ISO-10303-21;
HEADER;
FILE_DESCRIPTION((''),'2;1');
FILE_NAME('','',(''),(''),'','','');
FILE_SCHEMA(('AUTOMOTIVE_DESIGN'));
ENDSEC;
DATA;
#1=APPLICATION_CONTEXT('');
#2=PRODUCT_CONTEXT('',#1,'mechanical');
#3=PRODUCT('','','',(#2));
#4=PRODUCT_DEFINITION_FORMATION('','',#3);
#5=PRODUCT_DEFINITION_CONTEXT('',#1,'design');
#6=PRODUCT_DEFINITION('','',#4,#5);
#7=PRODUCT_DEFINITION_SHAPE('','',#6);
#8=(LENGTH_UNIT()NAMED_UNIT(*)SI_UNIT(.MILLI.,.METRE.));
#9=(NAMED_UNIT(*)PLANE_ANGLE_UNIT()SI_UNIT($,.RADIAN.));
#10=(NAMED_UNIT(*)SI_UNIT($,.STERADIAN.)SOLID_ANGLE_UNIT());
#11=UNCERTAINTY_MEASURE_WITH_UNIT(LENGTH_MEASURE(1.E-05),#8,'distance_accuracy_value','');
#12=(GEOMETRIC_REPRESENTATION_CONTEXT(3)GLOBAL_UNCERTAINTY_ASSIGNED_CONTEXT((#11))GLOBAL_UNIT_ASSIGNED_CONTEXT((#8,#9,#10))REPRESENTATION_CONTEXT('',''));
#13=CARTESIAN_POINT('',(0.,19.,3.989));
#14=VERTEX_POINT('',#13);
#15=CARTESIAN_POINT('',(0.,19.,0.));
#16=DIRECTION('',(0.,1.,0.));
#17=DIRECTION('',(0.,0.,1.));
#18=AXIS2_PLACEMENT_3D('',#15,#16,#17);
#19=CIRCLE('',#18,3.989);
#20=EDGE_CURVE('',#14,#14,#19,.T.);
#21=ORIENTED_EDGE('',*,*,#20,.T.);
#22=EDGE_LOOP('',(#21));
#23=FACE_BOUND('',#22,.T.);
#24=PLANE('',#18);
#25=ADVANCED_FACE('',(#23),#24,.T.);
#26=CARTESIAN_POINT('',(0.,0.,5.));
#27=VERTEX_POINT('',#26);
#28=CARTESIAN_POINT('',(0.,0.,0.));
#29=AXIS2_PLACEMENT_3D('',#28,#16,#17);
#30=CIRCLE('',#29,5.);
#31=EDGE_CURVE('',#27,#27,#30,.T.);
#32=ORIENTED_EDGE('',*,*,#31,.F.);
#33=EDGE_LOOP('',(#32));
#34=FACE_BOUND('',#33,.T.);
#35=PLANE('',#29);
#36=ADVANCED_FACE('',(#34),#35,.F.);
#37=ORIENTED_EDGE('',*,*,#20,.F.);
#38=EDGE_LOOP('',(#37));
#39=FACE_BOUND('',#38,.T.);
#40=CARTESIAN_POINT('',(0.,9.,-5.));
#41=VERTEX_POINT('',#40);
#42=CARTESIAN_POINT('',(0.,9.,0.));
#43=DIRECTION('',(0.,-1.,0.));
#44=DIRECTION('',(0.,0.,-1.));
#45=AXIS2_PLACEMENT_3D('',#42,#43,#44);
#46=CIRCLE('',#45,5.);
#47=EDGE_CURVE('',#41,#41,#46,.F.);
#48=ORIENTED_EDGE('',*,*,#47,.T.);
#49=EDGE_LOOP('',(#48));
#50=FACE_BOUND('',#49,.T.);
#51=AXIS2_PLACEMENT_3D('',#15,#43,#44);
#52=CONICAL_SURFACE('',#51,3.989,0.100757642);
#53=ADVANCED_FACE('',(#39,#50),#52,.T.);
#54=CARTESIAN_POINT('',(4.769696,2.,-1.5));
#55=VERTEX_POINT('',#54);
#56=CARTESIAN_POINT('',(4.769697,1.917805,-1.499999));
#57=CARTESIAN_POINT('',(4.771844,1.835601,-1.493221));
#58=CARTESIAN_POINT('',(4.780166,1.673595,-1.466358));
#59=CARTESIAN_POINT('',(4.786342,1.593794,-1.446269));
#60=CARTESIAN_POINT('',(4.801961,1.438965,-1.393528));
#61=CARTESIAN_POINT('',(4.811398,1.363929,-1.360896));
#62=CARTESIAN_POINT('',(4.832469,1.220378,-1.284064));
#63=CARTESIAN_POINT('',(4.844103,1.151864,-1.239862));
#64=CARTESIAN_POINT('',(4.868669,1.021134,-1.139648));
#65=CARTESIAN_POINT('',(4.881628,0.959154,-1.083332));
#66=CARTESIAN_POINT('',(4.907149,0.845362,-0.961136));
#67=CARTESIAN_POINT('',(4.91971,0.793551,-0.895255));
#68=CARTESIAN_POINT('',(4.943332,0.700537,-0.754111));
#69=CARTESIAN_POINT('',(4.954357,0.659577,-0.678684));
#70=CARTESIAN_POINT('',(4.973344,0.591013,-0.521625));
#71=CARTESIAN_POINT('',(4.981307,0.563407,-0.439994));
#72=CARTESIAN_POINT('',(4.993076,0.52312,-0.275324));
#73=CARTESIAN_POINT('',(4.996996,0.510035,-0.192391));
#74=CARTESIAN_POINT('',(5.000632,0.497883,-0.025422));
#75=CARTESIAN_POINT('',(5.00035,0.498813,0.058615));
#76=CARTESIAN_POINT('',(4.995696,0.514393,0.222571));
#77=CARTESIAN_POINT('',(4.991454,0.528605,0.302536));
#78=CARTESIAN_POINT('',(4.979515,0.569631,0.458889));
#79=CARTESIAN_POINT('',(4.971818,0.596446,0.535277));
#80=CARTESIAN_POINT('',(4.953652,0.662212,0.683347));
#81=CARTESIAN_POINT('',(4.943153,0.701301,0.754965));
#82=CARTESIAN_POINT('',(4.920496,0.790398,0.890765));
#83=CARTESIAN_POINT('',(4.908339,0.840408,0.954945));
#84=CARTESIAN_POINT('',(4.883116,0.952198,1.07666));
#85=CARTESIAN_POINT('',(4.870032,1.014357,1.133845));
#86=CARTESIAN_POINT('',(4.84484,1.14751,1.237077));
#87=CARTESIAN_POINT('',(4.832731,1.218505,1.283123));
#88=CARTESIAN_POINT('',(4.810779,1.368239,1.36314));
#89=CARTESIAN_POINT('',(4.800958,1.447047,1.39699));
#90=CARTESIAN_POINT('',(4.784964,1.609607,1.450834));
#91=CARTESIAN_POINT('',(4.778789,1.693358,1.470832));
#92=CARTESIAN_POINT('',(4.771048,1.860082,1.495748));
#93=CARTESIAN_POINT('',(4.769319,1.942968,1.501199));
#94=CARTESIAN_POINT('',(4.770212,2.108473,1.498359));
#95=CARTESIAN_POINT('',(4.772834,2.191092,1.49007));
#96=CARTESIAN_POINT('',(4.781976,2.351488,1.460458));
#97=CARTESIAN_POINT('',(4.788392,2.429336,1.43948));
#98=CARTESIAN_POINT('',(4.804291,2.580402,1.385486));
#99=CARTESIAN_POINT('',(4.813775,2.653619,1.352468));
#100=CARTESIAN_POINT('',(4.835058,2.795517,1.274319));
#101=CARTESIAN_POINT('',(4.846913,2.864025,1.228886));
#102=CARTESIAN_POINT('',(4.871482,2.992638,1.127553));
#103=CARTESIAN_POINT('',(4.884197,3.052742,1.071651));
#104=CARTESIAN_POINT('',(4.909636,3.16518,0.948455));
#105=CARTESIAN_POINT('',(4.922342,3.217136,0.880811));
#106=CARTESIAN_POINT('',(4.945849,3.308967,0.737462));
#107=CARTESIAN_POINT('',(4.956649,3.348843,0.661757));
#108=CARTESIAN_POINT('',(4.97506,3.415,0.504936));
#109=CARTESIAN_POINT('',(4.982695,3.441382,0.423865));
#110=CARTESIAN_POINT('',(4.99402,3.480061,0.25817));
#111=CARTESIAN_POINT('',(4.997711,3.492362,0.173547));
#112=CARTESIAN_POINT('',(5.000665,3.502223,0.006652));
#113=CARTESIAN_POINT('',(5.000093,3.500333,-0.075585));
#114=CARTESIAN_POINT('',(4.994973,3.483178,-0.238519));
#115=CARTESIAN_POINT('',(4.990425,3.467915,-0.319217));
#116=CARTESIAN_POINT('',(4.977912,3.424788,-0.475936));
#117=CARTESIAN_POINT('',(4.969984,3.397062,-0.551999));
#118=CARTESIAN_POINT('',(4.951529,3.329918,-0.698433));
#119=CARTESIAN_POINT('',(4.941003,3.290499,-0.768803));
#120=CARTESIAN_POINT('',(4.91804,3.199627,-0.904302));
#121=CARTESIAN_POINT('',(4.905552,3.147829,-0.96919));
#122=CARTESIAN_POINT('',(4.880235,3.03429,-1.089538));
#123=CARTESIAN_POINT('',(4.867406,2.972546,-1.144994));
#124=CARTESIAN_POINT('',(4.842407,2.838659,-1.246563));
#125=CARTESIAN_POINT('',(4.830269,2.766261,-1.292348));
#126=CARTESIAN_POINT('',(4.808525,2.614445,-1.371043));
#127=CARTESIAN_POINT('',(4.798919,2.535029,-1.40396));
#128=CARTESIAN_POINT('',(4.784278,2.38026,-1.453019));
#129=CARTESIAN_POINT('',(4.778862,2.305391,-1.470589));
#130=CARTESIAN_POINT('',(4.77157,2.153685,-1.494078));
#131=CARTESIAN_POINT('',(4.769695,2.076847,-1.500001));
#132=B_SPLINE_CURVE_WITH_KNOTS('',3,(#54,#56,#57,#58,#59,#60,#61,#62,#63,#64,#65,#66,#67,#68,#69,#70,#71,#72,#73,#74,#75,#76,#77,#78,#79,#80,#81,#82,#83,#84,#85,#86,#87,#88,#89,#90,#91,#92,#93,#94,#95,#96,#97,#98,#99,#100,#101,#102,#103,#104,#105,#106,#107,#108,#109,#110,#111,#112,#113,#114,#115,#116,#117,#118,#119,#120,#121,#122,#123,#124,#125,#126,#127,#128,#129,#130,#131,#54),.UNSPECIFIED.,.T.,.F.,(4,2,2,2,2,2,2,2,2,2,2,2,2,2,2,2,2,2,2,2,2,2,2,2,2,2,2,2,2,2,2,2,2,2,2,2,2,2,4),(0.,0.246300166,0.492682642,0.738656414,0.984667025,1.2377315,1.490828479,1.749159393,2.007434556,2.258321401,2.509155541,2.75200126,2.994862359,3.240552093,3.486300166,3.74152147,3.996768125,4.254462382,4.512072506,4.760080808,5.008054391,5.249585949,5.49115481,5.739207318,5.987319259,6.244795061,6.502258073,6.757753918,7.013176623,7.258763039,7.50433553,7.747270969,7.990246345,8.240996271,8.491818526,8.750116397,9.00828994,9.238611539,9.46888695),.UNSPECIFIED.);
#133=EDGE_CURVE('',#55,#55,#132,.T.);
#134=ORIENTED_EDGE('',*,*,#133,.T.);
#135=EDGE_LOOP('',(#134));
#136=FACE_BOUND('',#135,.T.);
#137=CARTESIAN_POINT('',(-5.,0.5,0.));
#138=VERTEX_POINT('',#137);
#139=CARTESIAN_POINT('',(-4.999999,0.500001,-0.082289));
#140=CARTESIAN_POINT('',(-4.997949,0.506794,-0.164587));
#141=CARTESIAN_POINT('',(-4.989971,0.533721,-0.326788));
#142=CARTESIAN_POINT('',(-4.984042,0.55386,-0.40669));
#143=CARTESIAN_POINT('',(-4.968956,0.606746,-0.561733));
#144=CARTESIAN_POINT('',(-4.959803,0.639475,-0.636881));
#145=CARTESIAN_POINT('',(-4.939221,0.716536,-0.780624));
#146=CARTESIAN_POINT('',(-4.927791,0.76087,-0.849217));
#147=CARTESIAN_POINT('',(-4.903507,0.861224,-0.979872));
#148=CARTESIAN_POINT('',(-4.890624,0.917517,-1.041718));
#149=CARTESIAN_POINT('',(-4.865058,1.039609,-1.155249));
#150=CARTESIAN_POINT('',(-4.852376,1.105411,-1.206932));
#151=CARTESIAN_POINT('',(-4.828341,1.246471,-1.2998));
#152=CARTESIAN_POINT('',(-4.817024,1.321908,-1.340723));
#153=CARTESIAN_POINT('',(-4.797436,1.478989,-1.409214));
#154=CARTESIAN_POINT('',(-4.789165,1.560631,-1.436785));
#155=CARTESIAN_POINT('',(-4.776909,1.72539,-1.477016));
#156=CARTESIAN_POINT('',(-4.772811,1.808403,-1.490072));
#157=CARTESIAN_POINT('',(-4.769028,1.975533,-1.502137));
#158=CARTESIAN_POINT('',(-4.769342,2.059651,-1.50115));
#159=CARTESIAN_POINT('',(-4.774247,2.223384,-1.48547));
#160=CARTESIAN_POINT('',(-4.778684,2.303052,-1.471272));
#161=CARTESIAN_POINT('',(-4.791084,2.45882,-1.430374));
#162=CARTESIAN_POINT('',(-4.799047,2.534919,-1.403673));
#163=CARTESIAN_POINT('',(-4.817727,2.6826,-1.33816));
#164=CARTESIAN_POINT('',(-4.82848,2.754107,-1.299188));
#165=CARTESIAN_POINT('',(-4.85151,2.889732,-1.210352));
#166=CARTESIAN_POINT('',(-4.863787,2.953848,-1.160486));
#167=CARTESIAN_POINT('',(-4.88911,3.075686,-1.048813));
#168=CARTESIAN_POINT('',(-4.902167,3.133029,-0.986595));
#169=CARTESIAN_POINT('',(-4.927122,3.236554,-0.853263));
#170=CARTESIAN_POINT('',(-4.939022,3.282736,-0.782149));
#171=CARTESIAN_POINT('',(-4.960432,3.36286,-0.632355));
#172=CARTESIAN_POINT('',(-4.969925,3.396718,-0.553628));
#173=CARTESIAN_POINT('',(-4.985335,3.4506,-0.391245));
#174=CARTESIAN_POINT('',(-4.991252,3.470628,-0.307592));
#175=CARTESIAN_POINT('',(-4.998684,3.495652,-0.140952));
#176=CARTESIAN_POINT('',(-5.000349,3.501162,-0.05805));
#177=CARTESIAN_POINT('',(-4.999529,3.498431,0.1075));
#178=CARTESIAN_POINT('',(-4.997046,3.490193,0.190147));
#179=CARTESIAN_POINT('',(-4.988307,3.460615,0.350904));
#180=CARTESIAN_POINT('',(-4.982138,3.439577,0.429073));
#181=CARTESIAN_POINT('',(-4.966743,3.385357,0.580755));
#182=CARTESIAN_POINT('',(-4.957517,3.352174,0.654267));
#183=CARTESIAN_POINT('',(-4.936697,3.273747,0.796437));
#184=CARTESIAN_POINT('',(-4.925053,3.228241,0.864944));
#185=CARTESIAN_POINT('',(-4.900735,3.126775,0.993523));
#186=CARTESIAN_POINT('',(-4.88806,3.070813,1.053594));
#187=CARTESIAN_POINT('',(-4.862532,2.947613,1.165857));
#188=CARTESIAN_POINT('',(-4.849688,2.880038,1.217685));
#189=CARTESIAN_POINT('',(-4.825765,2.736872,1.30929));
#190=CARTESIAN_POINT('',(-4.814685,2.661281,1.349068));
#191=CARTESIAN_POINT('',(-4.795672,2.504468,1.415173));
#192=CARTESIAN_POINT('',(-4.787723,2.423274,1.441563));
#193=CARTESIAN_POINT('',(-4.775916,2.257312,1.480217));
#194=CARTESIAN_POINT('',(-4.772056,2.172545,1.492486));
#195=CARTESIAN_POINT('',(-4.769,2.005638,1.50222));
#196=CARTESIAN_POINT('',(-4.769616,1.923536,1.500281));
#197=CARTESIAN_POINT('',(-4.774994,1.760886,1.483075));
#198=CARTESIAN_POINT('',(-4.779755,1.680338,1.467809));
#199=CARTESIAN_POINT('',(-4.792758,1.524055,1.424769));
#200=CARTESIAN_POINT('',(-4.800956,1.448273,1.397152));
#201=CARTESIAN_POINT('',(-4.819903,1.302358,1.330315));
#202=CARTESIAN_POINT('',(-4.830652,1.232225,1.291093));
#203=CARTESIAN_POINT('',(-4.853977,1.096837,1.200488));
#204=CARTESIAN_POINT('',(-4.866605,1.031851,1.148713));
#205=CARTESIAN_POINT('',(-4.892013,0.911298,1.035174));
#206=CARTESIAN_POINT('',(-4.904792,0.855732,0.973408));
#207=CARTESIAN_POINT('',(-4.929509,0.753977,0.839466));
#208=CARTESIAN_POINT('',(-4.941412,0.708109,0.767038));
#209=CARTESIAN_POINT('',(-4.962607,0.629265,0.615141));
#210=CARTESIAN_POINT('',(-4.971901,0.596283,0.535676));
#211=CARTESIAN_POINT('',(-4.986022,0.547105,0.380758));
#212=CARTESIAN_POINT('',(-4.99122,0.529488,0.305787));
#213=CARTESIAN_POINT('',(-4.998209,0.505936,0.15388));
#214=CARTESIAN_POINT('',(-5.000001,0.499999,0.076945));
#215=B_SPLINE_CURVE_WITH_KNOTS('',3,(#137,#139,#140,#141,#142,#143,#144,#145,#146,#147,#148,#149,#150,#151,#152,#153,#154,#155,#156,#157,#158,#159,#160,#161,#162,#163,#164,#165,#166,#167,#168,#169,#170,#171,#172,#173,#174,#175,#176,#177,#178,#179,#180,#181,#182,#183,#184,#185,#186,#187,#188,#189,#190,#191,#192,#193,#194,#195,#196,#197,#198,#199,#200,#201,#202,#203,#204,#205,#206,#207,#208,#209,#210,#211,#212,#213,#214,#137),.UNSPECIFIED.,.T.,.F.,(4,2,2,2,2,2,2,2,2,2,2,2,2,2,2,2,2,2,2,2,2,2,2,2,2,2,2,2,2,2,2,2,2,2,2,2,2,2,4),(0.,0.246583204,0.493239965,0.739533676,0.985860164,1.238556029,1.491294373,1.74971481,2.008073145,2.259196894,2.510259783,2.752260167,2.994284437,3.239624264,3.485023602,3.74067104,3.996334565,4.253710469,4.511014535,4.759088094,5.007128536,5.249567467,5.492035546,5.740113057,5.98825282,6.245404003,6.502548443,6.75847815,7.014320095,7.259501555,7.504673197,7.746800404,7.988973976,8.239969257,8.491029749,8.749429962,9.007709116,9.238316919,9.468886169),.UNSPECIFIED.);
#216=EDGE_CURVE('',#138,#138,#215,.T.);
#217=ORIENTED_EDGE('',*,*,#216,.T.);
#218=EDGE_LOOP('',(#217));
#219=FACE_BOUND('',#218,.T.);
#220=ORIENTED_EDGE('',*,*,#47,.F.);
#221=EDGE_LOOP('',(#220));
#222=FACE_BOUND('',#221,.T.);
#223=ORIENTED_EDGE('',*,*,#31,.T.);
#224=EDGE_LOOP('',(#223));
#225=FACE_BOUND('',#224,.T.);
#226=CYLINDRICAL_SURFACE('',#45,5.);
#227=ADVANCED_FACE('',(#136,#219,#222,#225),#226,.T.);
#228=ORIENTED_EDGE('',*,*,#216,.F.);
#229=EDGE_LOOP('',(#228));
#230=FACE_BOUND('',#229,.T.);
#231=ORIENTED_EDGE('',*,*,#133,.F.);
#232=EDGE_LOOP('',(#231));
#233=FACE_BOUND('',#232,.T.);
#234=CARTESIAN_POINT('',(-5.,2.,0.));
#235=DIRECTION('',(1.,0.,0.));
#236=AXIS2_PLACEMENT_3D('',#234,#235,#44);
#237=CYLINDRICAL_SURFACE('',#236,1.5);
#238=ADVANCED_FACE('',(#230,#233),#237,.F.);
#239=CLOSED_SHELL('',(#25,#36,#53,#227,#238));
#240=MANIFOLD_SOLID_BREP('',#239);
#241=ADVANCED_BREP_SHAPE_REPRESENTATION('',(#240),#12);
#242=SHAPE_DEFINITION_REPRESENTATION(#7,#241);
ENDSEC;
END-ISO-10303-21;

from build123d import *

# Parameters (mm, degrees)
SKETCH1_R             = 5
BODY_DEPTH            = 9
PIN_INSERT_DEPTH      = 12.445523142
PIN_INSERT_DEPTH_BACK = 12.445523142
SKETCH2_R             = 1.5
HEAD_SA_R             = 3.989


with BuildPart() as part:
    # Sketch1 → body (new body)
    with BuildSketch(Plane(origin=(0, 0, 0), x_dir=(1, 0, 0), z_dir=(0, 1, 0))):
        with Locations(Location((0, 0, 0), (0, 0, 270))):
            Circle(SKETCH1_R)
    extrude(amount=BODY_DEPTH)

    # Sketch2 → pin insert (cut, two sides: drawn at the far end of the back side and taken through both)
    with BuildSketch(Plane(origin=(0, 0, 0), x_dir=(0, 0, -1), z_dir=(1, 0, 0)).offset(-PIN_INSERT_DEPTH_BACK)):
        with Locations((0, 2)):
            Circle(SKETCH2_R)
    extrude(amount=PIN_INSERT_DEPTH + PIN_INSERT_DEPTH_BACK, mode=Mode.SUBTRACT)

    # head SA → section 0 of cone
    with BuildSketch(Plane(origin=(0, 19, 0), x_dir=(1, 0, 0), z_dir=(0, 1, 0)), mode=Mode.PRIVATE) as cone_s0:
        Circle(HEAD_SA_R)
    # loft up to a face of the part (cone)
    loft([cone_s0.sketch, part.faces().sort_by_distance((0, 9, 0))[0]])


solid = part.part
